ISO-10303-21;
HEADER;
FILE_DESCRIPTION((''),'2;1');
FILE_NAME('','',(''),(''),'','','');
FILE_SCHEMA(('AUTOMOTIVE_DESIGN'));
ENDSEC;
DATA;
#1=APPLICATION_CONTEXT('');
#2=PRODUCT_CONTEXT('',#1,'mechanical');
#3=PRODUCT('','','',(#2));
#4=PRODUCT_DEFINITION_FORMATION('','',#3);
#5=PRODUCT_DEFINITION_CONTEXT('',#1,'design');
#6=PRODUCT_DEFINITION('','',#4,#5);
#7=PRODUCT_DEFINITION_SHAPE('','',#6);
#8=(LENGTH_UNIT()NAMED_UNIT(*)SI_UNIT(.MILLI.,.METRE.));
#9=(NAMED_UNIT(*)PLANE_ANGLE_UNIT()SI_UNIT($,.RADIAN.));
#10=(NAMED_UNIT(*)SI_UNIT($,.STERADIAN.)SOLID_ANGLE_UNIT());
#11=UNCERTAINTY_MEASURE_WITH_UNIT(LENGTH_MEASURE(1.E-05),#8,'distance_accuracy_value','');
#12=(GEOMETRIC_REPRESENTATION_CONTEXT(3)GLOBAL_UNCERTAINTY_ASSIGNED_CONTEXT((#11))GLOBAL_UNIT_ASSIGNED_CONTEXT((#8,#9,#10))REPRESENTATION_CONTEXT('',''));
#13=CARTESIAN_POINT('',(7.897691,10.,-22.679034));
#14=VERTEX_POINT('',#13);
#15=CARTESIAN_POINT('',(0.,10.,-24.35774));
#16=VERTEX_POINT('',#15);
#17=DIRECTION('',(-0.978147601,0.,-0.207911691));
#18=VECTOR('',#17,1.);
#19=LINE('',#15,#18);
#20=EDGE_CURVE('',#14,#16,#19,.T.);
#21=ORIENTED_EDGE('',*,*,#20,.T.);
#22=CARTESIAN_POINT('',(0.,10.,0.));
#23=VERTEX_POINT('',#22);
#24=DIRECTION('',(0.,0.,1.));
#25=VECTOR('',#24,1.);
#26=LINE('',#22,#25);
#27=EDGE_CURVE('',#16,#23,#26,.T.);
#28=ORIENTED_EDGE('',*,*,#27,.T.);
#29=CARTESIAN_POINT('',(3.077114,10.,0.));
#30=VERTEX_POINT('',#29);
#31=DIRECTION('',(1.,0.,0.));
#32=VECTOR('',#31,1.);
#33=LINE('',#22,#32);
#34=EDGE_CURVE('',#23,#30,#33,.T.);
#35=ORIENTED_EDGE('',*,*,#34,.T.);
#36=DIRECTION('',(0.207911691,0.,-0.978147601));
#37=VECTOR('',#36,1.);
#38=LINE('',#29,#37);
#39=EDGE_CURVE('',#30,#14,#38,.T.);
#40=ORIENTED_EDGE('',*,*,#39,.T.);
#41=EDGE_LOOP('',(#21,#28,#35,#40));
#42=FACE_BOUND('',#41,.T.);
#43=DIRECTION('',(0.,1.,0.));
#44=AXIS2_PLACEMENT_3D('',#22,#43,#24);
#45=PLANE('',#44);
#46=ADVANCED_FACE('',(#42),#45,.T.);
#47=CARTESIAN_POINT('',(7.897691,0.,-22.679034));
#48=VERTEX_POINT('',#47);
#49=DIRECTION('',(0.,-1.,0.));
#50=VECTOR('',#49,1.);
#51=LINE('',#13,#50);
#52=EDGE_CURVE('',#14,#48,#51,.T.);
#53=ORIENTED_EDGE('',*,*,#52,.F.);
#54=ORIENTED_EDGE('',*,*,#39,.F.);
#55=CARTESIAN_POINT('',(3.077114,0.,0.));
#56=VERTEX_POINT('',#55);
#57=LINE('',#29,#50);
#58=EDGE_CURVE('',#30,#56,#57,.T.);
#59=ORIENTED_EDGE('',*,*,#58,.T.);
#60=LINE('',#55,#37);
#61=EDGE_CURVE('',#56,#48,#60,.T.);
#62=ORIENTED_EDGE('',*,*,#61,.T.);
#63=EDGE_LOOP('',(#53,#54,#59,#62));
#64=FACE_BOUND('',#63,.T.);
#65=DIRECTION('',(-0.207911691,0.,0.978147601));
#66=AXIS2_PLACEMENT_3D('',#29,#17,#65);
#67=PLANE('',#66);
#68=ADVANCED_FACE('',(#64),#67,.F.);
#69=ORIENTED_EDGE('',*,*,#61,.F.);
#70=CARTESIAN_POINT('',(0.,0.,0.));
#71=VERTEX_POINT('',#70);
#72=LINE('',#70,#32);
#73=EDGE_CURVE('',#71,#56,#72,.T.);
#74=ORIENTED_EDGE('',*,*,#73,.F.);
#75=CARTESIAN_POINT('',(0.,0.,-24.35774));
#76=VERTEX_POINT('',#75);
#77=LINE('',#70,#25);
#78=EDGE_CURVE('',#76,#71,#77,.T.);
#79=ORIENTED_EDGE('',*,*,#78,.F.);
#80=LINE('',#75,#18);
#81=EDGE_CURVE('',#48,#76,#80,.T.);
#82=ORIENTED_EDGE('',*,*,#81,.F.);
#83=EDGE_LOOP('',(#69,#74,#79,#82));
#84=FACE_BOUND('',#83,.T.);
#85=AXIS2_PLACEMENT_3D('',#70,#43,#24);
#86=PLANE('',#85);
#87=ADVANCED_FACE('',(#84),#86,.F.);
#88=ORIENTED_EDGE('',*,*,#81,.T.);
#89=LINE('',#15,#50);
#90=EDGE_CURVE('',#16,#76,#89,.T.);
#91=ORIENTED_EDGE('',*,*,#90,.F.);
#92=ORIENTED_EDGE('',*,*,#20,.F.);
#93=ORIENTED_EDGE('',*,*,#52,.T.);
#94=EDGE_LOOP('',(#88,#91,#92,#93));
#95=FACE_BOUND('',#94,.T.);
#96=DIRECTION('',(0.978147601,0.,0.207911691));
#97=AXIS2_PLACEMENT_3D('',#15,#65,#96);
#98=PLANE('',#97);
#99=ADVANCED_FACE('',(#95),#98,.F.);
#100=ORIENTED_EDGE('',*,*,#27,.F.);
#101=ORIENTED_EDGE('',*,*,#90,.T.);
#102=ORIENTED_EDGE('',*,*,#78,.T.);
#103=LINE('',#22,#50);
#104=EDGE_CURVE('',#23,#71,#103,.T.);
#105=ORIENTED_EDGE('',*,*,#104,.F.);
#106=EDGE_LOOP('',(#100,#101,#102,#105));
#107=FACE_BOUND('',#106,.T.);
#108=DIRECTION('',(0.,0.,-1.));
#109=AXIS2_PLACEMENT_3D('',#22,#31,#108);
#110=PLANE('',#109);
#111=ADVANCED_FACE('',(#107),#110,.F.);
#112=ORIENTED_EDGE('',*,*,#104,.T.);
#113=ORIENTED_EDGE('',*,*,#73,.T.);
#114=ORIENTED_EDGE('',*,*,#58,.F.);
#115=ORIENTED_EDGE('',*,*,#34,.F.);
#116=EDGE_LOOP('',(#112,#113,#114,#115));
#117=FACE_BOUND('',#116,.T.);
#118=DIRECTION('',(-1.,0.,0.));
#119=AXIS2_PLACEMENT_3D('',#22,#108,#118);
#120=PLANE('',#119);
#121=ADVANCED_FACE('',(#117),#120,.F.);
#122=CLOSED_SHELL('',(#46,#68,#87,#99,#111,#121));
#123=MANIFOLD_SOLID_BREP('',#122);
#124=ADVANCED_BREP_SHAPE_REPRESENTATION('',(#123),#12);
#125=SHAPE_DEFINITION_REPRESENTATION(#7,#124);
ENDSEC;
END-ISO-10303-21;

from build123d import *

# Parameters (mm, degrees)
BOSS_EXTRUDE1_DEPTH = 10


with BuildPart() as part:
    # Sketch1 → Boss-Extrude1 (new body)
    with BuildSketch(Plane(origin=(0, 0, 0), x_dir=(1, 0, 0), z_dir=(0, 1, 0))):
        Polygon((0, 0), (0, 24.357740191), (7.897691353, 22.679034072), (3.077113849, 0), align=None)
    extrude(amount=BOSS_EXTRUDE1_DEPTH)


solid = part.part
